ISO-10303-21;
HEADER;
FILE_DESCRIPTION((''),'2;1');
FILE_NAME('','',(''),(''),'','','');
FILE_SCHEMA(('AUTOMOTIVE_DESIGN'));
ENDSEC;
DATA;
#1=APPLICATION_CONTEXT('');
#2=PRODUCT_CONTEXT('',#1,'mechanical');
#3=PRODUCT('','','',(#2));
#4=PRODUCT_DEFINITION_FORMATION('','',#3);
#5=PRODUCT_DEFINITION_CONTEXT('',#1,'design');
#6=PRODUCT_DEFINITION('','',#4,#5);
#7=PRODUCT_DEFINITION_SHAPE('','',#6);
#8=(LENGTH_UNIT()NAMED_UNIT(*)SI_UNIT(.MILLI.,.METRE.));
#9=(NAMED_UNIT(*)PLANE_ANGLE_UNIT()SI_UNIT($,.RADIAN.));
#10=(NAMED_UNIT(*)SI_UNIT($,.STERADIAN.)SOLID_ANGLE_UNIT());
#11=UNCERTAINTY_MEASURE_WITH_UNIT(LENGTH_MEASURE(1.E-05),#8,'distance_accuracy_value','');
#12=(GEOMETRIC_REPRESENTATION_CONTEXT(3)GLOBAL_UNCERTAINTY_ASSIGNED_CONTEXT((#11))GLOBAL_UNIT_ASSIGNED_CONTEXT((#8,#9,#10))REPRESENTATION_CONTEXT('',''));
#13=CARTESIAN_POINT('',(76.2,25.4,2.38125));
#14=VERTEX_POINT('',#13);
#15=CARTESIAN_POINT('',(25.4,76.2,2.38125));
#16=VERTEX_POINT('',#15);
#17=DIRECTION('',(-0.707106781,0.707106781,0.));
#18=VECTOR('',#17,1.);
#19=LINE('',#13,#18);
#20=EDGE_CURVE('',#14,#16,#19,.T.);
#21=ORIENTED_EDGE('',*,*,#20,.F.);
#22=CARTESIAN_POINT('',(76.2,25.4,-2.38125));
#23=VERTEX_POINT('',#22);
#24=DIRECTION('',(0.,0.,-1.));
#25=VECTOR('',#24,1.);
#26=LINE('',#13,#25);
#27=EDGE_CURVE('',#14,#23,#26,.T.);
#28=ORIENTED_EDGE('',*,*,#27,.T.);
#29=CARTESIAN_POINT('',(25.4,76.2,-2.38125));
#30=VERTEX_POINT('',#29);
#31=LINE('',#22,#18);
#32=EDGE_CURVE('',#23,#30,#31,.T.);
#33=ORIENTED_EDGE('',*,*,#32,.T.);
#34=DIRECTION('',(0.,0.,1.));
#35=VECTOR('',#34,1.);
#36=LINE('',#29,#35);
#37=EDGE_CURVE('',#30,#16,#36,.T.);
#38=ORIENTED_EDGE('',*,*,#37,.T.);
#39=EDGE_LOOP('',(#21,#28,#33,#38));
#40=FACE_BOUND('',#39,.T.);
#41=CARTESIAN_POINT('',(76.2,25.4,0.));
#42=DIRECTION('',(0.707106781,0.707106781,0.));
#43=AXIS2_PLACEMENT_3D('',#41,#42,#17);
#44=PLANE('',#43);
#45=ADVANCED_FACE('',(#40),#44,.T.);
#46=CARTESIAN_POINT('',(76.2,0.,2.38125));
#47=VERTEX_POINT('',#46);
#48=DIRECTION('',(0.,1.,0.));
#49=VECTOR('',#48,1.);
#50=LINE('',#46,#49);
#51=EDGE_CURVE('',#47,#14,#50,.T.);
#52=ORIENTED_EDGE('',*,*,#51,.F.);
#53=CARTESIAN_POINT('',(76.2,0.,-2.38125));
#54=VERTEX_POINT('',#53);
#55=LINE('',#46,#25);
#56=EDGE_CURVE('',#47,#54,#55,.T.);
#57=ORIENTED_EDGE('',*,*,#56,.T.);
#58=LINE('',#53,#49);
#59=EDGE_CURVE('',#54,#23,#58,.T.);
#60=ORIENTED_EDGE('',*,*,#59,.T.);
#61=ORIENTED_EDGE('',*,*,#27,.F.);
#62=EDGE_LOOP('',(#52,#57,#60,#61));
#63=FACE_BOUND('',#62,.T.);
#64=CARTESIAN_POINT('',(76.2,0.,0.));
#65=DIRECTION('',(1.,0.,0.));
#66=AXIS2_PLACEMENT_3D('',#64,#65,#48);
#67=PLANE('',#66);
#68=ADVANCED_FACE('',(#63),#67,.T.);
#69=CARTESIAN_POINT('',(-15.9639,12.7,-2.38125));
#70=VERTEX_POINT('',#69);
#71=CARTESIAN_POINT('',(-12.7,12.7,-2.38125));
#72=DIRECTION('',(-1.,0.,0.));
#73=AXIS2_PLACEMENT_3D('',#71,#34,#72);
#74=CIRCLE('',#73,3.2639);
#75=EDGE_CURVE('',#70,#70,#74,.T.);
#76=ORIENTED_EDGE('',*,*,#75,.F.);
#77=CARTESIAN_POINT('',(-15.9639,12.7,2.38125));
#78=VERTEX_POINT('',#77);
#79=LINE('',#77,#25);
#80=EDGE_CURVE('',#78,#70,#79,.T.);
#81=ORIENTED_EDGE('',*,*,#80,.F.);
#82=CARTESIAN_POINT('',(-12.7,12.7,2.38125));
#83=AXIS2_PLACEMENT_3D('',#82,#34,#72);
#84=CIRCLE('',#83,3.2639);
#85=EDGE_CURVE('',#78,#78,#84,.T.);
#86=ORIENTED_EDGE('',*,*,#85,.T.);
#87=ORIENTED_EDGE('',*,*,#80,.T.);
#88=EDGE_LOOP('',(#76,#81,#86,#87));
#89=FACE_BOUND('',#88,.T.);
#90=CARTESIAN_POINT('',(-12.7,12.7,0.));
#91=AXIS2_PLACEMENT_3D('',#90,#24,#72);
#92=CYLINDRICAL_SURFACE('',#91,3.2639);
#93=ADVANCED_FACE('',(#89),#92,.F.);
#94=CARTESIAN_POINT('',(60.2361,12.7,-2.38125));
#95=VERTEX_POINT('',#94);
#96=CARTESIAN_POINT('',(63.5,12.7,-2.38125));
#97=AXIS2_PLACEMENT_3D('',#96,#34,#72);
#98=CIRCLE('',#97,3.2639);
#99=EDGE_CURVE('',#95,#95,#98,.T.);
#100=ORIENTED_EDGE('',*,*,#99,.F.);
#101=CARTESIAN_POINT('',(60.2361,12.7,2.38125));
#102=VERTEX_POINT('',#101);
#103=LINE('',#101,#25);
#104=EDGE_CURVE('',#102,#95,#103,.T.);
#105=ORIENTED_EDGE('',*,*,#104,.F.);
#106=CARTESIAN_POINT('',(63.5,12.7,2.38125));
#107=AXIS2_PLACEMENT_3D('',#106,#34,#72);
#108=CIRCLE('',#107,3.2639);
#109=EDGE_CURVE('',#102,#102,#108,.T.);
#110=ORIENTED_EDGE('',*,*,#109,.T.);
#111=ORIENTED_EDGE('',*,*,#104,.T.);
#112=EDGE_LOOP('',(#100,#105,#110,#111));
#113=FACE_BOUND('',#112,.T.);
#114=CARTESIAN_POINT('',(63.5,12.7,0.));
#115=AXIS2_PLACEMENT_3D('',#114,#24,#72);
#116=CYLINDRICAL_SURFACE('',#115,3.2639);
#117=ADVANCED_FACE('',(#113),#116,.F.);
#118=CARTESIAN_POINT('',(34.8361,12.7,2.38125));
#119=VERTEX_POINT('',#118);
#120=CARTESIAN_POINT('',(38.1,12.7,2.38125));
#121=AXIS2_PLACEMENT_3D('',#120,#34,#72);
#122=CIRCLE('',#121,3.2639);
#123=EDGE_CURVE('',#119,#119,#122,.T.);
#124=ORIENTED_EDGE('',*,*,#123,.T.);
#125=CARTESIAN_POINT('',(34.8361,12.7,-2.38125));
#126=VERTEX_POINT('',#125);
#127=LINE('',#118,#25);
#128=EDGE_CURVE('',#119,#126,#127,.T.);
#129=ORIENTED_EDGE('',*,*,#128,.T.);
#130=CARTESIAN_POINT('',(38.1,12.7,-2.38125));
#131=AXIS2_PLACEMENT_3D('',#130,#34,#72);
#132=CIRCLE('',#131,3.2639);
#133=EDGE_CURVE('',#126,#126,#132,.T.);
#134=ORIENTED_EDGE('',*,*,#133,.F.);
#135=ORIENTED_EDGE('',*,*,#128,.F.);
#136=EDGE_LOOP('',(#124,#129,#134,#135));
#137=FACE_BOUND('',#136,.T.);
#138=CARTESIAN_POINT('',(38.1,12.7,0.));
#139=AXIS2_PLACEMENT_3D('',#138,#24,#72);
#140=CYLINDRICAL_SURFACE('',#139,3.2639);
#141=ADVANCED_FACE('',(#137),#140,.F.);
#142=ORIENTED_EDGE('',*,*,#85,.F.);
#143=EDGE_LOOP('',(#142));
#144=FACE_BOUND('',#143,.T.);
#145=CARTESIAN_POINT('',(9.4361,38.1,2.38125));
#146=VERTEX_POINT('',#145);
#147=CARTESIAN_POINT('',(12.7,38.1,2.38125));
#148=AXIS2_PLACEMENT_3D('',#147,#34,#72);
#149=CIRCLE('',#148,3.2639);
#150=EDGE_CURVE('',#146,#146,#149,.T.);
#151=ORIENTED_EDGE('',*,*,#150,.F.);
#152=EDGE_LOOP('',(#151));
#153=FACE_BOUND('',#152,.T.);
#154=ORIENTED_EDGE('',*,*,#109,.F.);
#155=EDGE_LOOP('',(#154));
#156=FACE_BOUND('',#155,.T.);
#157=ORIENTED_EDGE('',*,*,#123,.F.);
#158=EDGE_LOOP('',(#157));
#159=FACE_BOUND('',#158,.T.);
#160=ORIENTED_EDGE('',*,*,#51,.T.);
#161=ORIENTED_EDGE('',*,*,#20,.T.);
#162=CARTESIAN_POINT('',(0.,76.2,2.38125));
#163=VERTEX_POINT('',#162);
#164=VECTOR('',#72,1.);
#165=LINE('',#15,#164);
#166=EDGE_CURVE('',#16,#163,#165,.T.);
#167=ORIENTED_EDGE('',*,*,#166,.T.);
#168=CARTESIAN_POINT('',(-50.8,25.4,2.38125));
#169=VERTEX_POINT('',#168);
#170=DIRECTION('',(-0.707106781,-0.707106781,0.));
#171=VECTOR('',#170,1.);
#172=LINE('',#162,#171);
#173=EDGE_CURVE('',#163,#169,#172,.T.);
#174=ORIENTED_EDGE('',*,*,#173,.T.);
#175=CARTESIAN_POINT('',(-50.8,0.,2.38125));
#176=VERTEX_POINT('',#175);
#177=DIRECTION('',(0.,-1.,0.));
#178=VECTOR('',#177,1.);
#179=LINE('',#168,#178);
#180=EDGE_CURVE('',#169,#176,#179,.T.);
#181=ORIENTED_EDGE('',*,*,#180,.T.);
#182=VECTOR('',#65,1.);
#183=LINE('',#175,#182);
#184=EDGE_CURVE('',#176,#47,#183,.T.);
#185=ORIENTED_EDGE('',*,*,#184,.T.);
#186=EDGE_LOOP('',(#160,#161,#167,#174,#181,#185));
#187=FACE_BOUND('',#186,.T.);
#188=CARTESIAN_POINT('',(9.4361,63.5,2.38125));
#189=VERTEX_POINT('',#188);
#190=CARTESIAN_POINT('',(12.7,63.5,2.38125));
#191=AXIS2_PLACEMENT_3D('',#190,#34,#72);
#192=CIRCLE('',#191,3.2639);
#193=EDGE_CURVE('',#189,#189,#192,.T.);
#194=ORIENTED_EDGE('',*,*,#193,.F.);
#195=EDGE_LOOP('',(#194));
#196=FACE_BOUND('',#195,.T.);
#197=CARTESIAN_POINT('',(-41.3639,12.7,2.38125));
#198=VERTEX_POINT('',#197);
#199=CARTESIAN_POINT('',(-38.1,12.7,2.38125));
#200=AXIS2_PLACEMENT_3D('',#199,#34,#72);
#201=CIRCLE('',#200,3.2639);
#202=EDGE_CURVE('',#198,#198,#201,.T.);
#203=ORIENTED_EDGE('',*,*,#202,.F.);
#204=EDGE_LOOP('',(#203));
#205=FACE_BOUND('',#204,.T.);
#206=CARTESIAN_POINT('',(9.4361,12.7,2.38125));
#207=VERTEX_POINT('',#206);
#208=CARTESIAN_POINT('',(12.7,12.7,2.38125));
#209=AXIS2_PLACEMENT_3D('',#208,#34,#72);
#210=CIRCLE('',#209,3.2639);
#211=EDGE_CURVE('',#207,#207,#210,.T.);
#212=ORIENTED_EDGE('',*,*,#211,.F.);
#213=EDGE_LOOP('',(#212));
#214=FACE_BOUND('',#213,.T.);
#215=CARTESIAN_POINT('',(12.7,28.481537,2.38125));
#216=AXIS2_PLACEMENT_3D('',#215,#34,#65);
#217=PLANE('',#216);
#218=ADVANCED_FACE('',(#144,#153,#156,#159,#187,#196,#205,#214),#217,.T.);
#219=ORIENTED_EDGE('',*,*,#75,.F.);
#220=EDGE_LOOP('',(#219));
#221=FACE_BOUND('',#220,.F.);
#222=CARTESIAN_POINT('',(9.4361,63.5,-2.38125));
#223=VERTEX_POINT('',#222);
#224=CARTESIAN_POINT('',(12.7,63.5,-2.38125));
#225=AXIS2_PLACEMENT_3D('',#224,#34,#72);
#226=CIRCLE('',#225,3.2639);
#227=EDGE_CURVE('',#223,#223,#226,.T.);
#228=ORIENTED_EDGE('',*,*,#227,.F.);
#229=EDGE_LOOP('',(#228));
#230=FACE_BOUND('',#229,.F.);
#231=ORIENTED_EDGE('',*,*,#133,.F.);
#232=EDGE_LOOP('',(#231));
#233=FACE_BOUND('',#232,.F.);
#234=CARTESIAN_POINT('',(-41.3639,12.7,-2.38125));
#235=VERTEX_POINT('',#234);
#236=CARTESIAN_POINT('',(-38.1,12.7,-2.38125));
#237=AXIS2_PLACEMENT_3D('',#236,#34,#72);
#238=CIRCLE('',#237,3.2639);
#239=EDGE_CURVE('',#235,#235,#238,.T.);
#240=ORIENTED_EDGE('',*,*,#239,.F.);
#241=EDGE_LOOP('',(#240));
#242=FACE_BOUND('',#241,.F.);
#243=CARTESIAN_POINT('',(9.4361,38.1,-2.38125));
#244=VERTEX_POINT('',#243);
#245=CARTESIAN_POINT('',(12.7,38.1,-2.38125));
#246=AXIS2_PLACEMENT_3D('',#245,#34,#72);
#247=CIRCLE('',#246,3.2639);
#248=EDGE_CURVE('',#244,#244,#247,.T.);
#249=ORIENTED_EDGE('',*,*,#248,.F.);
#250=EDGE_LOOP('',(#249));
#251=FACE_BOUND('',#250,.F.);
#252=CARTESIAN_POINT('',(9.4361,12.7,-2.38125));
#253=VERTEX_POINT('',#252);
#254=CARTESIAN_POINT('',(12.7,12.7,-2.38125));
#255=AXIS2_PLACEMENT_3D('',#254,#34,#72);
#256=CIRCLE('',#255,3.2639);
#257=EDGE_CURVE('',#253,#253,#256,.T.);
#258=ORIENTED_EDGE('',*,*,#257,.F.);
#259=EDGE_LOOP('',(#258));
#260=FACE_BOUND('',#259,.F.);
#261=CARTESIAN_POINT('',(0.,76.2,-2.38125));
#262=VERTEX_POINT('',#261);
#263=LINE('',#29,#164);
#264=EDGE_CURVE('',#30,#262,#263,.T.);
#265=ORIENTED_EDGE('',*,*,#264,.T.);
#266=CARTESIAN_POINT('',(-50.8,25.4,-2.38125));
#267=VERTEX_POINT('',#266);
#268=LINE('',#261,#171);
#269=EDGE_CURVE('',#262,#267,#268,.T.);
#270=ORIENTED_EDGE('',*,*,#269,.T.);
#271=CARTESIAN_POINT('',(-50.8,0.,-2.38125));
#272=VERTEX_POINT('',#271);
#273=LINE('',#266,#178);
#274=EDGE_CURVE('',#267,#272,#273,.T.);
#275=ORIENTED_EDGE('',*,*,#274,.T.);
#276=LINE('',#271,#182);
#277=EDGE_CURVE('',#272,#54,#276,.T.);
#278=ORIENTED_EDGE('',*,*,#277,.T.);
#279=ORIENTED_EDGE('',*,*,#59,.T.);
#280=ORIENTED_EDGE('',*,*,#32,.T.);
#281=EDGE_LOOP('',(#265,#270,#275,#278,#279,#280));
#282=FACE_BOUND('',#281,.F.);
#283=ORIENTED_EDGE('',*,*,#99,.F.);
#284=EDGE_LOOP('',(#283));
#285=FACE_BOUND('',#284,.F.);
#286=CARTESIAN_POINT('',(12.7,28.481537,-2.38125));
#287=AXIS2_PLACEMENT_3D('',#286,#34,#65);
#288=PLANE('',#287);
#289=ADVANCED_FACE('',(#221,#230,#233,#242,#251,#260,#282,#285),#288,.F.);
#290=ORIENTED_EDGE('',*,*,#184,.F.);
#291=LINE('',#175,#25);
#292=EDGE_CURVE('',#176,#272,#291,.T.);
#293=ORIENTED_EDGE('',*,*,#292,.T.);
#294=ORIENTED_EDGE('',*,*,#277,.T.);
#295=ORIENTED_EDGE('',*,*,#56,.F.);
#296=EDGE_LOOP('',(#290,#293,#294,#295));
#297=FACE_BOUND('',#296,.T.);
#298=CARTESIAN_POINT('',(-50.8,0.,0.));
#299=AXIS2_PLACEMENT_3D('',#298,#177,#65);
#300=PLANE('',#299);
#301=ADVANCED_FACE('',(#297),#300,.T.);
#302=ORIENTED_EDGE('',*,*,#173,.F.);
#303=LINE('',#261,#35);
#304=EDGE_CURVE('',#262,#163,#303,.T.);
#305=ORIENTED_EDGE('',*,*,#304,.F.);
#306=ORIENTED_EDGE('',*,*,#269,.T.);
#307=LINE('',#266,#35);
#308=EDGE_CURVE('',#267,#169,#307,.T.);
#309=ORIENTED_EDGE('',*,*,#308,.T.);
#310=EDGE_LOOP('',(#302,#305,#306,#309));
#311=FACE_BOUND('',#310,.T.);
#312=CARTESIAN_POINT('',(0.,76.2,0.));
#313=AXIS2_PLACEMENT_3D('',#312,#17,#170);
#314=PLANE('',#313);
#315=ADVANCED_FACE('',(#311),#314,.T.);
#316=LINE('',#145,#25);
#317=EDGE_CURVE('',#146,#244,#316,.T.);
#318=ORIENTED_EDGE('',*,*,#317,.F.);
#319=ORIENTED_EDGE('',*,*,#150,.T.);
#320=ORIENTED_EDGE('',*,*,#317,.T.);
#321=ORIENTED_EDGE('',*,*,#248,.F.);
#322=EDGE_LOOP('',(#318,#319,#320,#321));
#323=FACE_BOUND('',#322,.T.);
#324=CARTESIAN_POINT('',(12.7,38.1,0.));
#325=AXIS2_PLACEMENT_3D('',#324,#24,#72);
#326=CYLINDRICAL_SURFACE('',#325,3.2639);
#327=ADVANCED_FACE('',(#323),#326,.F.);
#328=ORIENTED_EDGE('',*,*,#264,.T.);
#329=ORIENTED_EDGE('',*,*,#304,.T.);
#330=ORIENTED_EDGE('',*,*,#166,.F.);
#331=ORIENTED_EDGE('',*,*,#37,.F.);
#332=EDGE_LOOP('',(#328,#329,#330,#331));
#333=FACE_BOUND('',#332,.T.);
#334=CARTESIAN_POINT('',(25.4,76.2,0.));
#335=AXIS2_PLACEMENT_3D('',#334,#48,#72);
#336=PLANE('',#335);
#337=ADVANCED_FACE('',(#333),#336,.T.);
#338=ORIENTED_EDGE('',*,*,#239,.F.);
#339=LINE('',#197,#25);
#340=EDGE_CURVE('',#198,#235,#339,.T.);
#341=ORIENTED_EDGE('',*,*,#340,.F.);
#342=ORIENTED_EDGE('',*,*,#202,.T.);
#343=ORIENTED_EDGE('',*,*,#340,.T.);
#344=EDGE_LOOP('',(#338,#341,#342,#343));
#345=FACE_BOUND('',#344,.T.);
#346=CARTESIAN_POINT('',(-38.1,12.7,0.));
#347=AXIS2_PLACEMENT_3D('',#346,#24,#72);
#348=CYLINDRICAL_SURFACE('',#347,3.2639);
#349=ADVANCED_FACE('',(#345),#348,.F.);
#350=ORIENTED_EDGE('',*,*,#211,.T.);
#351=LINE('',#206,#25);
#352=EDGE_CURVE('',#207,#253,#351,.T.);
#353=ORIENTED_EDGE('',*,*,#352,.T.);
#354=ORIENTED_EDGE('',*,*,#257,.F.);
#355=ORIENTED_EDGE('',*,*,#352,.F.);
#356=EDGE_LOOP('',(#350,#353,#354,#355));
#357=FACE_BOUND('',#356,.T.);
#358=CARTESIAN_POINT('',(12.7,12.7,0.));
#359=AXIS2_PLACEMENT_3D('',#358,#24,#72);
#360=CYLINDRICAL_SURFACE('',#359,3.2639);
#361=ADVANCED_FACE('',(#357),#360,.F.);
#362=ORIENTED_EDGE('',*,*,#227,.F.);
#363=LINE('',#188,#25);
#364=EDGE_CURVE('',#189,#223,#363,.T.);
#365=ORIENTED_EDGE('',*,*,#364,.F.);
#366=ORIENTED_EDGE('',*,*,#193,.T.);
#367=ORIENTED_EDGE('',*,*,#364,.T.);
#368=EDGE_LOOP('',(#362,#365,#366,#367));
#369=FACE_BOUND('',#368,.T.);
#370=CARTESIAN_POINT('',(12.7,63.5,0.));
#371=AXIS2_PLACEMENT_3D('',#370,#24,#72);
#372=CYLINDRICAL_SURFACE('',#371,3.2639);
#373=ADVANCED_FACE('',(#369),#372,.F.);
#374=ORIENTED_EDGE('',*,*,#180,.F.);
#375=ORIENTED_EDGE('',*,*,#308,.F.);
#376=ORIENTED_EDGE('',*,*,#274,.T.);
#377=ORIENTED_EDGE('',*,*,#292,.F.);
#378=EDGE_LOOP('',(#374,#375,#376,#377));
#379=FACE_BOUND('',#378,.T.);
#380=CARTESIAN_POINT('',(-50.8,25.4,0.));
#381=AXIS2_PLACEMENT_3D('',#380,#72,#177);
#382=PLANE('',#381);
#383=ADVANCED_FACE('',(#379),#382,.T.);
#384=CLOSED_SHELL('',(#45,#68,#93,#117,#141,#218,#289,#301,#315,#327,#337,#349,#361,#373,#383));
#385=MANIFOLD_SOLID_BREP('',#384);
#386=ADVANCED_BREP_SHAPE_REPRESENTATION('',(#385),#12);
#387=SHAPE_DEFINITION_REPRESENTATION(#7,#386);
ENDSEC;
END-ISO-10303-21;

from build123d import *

# Parameters (mm, degrees)
SKETCH1_R           = 3.2639
BOSS_EXTRUDE1_DEPTH = 2.38125


with BuildPart() as part:
    # Sketch1 → Boss-Extrude1 (new, symmetric)
    with BuildSketch(Plane.XY):
        Polygon((76.2, 25.4), (25.4, 76.2), (0, 76.2), (-50.8, 25.4), (-50.8, 0), (0, 0), (76.2, 0), align=None)
        with Locations(Location((12.7, 12.7, 0), (0, 0, 180))):
            Circle(SKETCH1_R, mode=Mode.SUBTRACT)
        with Locations(Location((38.1, 12.7, 0), (0, 0, 180))):
            Circle(SKETCH1_R, mode=Mode.SUBTRACT)
        with Locations(Location((63.5, 12.7, 0), (0, 0, 180))):
            Circle(SKETCH1_R, mode=Mode.SUBTRACT)
        with Locations(Location((12.7, 38.1, 0), (0, 0, 180))):
            Circle(SKETCH1_R, mode=Mode.SUBTRACT)
        with Locations(Location((12.7, 63.5, 0), (0, 0, 180))):
            Circle(SKETCH1_R, mode=Mode.SUBTRACT)
        with Locations(Location((-38.1, 12.7, 0), (0, 0, 180))):
            Circle(SKETCH1_R, mode=Mode.SUBTRACT)
        with Locations(Location((-12.7, 12.7, 0), (0, 0, 180))):
            Circle(SKETCH1_R, mode=Mode.SUBTRACT)
    extrude(amount=BOSS_EXTRUDE1_DEPTH, both=True)


solid = part.part
